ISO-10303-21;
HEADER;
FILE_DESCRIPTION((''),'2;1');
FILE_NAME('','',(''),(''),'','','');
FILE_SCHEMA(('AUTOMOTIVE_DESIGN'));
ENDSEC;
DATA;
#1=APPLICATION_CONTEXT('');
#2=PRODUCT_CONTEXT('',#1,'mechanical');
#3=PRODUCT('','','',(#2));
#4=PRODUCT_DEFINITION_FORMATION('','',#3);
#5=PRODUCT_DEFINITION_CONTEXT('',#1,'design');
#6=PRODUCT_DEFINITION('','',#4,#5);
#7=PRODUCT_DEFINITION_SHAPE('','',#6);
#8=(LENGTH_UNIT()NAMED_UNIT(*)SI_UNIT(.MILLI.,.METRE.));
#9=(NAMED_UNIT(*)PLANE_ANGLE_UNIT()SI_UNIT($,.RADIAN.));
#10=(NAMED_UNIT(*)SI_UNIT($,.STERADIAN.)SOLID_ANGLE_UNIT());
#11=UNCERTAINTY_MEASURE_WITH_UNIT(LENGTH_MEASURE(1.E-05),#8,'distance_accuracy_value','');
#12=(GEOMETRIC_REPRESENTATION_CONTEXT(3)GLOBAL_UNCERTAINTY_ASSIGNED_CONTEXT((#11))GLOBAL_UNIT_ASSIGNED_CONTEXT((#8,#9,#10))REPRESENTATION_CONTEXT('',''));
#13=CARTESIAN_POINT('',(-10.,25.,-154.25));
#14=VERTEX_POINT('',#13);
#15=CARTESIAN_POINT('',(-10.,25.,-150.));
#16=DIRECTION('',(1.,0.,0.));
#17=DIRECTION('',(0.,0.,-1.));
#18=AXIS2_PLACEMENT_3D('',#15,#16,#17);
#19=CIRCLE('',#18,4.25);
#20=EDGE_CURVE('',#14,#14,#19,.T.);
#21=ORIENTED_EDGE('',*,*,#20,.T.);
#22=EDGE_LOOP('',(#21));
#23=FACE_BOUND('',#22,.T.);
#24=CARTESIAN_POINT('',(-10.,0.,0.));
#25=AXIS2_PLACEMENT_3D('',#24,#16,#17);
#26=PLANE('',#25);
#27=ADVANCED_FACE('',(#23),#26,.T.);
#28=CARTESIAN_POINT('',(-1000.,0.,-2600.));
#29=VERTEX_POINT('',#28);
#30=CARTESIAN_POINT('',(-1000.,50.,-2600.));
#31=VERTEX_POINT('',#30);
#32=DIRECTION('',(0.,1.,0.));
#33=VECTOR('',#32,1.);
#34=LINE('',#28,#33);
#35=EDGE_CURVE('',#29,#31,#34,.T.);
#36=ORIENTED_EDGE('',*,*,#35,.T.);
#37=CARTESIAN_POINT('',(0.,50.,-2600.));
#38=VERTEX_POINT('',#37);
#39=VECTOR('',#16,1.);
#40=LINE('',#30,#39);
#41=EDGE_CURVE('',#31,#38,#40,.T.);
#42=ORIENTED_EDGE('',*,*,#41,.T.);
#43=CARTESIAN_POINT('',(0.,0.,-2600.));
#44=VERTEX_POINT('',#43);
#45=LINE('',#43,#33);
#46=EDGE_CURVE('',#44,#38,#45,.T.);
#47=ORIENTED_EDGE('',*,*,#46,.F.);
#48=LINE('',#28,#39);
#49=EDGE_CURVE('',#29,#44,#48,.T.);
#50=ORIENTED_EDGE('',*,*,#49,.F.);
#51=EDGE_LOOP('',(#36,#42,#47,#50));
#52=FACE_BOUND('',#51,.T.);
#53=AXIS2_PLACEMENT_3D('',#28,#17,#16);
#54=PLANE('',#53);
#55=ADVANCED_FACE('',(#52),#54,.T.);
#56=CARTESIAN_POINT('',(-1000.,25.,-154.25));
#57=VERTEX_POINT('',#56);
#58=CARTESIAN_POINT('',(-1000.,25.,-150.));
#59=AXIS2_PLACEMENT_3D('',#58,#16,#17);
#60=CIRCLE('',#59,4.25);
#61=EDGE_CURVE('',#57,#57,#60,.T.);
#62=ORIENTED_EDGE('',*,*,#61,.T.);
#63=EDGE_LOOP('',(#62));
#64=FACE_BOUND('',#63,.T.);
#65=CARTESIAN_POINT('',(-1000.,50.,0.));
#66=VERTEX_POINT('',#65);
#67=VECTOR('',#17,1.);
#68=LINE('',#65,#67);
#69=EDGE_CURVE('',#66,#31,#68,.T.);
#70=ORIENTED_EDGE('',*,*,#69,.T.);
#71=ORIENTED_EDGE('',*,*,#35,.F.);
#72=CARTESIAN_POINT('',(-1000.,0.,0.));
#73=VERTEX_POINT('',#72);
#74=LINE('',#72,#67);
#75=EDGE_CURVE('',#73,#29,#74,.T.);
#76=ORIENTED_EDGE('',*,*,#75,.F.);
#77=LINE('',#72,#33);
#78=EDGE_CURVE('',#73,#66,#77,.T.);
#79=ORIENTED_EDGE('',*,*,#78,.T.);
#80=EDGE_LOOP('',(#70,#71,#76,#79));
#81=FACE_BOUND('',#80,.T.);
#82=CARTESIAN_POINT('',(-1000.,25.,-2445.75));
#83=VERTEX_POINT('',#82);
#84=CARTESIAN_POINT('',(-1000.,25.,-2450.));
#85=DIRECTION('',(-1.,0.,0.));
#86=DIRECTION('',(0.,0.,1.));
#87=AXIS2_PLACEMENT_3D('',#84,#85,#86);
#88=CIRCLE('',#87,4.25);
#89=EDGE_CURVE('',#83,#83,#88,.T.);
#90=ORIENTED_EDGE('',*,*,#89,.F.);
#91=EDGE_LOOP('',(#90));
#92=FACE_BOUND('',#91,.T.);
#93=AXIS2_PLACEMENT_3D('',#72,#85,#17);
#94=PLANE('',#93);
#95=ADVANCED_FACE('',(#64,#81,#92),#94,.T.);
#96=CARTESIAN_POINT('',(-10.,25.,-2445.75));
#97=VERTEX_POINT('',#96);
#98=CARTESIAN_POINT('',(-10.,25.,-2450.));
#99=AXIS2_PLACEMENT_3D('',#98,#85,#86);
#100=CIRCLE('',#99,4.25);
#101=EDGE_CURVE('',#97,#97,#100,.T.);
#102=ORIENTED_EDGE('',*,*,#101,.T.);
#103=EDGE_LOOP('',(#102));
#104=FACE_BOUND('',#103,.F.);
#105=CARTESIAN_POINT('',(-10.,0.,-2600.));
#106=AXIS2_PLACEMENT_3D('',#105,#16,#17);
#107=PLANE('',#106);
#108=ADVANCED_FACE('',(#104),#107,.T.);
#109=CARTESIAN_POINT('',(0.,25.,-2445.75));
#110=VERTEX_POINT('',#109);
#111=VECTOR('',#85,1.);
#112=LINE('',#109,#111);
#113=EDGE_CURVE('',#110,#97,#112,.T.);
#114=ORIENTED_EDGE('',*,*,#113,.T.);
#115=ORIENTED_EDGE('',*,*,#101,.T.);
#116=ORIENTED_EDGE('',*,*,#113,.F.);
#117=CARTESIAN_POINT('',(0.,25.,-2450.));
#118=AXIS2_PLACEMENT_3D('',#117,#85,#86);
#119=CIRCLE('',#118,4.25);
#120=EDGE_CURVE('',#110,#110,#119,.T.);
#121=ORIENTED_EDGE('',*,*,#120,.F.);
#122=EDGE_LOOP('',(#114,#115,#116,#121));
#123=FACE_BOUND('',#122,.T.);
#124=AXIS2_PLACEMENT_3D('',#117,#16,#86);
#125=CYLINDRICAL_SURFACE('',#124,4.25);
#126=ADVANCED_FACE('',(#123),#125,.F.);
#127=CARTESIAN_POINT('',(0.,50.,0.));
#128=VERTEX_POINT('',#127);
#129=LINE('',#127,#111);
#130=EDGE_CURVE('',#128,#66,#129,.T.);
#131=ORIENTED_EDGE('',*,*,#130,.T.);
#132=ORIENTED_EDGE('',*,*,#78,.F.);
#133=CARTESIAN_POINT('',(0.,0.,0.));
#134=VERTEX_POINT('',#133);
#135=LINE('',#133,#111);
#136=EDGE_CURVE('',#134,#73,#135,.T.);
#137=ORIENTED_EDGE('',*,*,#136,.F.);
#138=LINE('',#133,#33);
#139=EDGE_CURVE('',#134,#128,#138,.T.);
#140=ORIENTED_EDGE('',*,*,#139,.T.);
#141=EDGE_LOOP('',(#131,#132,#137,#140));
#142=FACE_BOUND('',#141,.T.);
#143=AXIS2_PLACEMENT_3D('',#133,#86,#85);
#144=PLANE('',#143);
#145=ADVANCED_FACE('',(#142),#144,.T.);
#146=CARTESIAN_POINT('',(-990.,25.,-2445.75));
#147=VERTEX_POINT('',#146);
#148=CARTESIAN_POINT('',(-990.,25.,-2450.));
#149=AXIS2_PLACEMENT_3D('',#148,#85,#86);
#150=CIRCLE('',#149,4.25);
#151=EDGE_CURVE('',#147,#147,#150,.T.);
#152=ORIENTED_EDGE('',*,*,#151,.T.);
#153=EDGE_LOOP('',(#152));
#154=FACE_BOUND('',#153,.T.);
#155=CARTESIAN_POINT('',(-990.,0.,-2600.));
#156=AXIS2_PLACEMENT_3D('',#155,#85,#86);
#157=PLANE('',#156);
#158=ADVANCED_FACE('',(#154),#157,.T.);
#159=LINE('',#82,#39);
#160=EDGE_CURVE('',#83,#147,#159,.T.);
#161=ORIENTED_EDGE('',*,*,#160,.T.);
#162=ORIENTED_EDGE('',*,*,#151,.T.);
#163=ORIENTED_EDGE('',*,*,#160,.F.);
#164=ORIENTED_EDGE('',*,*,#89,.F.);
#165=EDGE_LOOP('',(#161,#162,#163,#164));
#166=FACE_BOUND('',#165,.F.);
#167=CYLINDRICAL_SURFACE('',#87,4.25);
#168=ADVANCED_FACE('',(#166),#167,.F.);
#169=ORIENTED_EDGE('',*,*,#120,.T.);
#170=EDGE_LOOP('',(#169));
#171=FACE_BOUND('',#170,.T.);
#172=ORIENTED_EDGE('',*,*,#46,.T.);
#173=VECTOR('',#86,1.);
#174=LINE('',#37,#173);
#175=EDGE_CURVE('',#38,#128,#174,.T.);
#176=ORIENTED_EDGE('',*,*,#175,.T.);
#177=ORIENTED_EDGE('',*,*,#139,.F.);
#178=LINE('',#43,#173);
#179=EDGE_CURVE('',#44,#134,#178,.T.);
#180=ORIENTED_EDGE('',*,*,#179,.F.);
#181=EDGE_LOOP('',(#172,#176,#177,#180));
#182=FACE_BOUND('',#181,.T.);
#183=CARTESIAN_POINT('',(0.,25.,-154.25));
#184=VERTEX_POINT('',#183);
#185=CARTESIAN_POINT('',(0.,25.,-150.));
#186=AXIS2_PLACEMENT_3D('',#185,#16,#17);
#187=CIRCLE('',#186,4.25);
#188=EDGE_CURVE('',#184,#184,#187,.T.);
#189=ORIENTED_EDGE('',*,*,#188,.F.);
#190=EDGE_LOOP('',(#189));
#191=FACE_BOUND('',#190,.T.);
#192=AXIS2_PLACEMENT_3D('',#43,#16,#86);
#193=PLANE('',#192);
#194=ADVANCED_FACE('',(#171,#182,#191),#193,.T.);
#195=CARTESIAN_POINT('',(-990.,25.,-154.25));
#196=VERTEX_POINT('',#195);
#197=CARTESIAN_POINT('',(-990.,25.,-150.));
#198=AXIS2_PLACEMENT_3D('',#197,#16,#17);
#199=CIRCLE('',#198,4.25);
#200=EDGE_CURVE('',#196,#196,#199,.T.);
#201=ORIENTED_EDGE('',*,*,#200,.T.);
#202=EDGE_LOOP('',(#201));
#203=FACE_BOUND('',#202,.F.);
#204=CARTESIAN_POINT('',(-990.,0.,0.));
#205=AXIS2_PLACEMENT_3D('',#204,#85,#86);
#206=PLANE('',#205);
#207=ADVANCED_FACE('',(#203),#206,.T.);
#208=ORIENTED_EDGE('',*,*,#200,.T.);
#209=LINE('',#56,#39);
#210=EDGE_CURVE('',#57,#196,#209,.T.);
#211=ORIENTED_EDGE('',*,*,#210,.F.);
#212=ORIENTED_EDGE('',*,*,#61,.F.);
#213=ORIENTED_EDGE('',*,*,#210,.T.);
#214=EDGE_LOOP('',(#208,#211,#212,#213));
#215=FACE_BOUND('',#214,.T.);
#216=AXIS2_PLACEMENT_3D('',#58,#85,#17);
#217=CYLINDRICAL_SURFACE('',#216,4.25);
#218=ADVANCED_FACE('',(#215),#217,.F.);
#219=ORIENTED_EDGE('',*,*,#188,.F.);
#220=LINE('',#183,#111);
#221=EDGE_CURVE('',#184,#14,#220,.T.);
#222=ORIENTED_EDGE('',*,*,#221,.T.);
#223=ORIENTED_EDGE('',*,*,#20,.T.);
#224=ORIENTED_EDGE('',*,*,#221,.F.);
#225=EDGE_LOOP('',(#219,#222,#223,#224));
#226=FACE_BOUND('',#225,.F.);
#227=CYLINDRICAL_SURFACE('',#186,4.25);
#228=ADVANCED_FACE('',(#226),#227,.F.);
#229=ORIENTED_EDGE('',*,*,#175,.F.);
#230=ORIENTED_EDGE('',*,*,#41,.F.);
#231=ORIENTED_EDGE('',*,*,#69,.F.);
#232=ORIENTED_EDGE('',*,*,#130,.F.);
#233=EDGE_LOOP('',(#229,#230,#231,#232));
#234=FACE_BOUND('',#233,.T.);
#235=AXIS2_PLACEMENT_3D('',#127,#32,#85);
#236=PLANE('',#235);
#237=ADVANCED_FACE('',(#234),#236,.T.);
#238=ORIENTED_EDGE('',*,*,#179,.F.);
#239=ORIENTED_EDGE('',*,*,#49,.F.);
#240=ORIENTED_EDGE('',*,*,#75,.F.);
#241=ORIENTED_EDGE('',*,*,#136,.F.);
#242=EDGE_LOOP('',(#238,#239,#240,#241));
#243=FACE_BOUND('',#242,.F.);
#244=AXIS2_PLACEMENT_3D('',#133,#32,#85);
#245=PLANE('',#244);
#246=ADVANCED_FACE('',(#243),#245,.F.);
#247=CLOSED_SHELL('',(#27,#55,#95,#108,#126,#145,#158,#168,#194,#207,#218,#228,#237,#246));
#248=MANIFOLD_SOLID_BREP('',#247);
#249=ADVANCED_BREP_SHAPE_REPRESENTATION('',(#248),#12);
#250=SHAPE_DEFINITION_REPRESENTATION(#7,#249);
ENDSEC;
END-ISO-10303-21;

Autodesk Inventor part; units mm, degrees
ref_plane "YZ Plane" through (0, 0, 0) normal (1, 0, 0) x (0, 1, 0)
sketch "Sketch1" plane through (0, 0, 0) normal (0, 1, 0) x (-1, 0, 0)
  line L0 (0, 0) -> (1000, 0)
  line L1 (1000, 0) -> (1000, -2600)
  line L2 (1000, -2600) -> (0, -2600)
  line L3 (0, -2600) -> (0, 0)
  dimension "d0" = 1000
  dimension "d1" = 2600
extrude "Extrusion1" add sketch "Sketch1" along normal blind 50
sketch "Sketch2" plane through (0, 0, 0) normal (1, 0, 0) x (0, 0, -1)
  circle A0 centre (150, 25) radius 4.25
  line L0 (2600, 0) -> (0, 0) projected
  line L1 (0, 0) -> (0, 50) projected
  dimension "d4" = 8.5
  dimension "d5" = 25
  dimension "d8" = 150
extrude "Extrusion2" cut sketch "Sketch2" against normal blind 10
ref_plane "Work Plane2" through (-1000, 0, -1300) normal (0, 0, 1) x (1, 0, 0)
ref_plane "Work Plane3" through (-500, 0, -2600) normal (-1, 0, 0) x (0, 0, 1)
mirror "Mirror1" about plane through (-1000, 0, -1300) normal (0, 0, 1) of "Extrusion2"
mirror "Mirror2" about plane through (-500, 0, -2600) normal (-1, 0, 0) of "Extrusion2", "Mirror1"
properties part number "InsulatorWallNorrowasa" material "Polyethylene, Low Density"
